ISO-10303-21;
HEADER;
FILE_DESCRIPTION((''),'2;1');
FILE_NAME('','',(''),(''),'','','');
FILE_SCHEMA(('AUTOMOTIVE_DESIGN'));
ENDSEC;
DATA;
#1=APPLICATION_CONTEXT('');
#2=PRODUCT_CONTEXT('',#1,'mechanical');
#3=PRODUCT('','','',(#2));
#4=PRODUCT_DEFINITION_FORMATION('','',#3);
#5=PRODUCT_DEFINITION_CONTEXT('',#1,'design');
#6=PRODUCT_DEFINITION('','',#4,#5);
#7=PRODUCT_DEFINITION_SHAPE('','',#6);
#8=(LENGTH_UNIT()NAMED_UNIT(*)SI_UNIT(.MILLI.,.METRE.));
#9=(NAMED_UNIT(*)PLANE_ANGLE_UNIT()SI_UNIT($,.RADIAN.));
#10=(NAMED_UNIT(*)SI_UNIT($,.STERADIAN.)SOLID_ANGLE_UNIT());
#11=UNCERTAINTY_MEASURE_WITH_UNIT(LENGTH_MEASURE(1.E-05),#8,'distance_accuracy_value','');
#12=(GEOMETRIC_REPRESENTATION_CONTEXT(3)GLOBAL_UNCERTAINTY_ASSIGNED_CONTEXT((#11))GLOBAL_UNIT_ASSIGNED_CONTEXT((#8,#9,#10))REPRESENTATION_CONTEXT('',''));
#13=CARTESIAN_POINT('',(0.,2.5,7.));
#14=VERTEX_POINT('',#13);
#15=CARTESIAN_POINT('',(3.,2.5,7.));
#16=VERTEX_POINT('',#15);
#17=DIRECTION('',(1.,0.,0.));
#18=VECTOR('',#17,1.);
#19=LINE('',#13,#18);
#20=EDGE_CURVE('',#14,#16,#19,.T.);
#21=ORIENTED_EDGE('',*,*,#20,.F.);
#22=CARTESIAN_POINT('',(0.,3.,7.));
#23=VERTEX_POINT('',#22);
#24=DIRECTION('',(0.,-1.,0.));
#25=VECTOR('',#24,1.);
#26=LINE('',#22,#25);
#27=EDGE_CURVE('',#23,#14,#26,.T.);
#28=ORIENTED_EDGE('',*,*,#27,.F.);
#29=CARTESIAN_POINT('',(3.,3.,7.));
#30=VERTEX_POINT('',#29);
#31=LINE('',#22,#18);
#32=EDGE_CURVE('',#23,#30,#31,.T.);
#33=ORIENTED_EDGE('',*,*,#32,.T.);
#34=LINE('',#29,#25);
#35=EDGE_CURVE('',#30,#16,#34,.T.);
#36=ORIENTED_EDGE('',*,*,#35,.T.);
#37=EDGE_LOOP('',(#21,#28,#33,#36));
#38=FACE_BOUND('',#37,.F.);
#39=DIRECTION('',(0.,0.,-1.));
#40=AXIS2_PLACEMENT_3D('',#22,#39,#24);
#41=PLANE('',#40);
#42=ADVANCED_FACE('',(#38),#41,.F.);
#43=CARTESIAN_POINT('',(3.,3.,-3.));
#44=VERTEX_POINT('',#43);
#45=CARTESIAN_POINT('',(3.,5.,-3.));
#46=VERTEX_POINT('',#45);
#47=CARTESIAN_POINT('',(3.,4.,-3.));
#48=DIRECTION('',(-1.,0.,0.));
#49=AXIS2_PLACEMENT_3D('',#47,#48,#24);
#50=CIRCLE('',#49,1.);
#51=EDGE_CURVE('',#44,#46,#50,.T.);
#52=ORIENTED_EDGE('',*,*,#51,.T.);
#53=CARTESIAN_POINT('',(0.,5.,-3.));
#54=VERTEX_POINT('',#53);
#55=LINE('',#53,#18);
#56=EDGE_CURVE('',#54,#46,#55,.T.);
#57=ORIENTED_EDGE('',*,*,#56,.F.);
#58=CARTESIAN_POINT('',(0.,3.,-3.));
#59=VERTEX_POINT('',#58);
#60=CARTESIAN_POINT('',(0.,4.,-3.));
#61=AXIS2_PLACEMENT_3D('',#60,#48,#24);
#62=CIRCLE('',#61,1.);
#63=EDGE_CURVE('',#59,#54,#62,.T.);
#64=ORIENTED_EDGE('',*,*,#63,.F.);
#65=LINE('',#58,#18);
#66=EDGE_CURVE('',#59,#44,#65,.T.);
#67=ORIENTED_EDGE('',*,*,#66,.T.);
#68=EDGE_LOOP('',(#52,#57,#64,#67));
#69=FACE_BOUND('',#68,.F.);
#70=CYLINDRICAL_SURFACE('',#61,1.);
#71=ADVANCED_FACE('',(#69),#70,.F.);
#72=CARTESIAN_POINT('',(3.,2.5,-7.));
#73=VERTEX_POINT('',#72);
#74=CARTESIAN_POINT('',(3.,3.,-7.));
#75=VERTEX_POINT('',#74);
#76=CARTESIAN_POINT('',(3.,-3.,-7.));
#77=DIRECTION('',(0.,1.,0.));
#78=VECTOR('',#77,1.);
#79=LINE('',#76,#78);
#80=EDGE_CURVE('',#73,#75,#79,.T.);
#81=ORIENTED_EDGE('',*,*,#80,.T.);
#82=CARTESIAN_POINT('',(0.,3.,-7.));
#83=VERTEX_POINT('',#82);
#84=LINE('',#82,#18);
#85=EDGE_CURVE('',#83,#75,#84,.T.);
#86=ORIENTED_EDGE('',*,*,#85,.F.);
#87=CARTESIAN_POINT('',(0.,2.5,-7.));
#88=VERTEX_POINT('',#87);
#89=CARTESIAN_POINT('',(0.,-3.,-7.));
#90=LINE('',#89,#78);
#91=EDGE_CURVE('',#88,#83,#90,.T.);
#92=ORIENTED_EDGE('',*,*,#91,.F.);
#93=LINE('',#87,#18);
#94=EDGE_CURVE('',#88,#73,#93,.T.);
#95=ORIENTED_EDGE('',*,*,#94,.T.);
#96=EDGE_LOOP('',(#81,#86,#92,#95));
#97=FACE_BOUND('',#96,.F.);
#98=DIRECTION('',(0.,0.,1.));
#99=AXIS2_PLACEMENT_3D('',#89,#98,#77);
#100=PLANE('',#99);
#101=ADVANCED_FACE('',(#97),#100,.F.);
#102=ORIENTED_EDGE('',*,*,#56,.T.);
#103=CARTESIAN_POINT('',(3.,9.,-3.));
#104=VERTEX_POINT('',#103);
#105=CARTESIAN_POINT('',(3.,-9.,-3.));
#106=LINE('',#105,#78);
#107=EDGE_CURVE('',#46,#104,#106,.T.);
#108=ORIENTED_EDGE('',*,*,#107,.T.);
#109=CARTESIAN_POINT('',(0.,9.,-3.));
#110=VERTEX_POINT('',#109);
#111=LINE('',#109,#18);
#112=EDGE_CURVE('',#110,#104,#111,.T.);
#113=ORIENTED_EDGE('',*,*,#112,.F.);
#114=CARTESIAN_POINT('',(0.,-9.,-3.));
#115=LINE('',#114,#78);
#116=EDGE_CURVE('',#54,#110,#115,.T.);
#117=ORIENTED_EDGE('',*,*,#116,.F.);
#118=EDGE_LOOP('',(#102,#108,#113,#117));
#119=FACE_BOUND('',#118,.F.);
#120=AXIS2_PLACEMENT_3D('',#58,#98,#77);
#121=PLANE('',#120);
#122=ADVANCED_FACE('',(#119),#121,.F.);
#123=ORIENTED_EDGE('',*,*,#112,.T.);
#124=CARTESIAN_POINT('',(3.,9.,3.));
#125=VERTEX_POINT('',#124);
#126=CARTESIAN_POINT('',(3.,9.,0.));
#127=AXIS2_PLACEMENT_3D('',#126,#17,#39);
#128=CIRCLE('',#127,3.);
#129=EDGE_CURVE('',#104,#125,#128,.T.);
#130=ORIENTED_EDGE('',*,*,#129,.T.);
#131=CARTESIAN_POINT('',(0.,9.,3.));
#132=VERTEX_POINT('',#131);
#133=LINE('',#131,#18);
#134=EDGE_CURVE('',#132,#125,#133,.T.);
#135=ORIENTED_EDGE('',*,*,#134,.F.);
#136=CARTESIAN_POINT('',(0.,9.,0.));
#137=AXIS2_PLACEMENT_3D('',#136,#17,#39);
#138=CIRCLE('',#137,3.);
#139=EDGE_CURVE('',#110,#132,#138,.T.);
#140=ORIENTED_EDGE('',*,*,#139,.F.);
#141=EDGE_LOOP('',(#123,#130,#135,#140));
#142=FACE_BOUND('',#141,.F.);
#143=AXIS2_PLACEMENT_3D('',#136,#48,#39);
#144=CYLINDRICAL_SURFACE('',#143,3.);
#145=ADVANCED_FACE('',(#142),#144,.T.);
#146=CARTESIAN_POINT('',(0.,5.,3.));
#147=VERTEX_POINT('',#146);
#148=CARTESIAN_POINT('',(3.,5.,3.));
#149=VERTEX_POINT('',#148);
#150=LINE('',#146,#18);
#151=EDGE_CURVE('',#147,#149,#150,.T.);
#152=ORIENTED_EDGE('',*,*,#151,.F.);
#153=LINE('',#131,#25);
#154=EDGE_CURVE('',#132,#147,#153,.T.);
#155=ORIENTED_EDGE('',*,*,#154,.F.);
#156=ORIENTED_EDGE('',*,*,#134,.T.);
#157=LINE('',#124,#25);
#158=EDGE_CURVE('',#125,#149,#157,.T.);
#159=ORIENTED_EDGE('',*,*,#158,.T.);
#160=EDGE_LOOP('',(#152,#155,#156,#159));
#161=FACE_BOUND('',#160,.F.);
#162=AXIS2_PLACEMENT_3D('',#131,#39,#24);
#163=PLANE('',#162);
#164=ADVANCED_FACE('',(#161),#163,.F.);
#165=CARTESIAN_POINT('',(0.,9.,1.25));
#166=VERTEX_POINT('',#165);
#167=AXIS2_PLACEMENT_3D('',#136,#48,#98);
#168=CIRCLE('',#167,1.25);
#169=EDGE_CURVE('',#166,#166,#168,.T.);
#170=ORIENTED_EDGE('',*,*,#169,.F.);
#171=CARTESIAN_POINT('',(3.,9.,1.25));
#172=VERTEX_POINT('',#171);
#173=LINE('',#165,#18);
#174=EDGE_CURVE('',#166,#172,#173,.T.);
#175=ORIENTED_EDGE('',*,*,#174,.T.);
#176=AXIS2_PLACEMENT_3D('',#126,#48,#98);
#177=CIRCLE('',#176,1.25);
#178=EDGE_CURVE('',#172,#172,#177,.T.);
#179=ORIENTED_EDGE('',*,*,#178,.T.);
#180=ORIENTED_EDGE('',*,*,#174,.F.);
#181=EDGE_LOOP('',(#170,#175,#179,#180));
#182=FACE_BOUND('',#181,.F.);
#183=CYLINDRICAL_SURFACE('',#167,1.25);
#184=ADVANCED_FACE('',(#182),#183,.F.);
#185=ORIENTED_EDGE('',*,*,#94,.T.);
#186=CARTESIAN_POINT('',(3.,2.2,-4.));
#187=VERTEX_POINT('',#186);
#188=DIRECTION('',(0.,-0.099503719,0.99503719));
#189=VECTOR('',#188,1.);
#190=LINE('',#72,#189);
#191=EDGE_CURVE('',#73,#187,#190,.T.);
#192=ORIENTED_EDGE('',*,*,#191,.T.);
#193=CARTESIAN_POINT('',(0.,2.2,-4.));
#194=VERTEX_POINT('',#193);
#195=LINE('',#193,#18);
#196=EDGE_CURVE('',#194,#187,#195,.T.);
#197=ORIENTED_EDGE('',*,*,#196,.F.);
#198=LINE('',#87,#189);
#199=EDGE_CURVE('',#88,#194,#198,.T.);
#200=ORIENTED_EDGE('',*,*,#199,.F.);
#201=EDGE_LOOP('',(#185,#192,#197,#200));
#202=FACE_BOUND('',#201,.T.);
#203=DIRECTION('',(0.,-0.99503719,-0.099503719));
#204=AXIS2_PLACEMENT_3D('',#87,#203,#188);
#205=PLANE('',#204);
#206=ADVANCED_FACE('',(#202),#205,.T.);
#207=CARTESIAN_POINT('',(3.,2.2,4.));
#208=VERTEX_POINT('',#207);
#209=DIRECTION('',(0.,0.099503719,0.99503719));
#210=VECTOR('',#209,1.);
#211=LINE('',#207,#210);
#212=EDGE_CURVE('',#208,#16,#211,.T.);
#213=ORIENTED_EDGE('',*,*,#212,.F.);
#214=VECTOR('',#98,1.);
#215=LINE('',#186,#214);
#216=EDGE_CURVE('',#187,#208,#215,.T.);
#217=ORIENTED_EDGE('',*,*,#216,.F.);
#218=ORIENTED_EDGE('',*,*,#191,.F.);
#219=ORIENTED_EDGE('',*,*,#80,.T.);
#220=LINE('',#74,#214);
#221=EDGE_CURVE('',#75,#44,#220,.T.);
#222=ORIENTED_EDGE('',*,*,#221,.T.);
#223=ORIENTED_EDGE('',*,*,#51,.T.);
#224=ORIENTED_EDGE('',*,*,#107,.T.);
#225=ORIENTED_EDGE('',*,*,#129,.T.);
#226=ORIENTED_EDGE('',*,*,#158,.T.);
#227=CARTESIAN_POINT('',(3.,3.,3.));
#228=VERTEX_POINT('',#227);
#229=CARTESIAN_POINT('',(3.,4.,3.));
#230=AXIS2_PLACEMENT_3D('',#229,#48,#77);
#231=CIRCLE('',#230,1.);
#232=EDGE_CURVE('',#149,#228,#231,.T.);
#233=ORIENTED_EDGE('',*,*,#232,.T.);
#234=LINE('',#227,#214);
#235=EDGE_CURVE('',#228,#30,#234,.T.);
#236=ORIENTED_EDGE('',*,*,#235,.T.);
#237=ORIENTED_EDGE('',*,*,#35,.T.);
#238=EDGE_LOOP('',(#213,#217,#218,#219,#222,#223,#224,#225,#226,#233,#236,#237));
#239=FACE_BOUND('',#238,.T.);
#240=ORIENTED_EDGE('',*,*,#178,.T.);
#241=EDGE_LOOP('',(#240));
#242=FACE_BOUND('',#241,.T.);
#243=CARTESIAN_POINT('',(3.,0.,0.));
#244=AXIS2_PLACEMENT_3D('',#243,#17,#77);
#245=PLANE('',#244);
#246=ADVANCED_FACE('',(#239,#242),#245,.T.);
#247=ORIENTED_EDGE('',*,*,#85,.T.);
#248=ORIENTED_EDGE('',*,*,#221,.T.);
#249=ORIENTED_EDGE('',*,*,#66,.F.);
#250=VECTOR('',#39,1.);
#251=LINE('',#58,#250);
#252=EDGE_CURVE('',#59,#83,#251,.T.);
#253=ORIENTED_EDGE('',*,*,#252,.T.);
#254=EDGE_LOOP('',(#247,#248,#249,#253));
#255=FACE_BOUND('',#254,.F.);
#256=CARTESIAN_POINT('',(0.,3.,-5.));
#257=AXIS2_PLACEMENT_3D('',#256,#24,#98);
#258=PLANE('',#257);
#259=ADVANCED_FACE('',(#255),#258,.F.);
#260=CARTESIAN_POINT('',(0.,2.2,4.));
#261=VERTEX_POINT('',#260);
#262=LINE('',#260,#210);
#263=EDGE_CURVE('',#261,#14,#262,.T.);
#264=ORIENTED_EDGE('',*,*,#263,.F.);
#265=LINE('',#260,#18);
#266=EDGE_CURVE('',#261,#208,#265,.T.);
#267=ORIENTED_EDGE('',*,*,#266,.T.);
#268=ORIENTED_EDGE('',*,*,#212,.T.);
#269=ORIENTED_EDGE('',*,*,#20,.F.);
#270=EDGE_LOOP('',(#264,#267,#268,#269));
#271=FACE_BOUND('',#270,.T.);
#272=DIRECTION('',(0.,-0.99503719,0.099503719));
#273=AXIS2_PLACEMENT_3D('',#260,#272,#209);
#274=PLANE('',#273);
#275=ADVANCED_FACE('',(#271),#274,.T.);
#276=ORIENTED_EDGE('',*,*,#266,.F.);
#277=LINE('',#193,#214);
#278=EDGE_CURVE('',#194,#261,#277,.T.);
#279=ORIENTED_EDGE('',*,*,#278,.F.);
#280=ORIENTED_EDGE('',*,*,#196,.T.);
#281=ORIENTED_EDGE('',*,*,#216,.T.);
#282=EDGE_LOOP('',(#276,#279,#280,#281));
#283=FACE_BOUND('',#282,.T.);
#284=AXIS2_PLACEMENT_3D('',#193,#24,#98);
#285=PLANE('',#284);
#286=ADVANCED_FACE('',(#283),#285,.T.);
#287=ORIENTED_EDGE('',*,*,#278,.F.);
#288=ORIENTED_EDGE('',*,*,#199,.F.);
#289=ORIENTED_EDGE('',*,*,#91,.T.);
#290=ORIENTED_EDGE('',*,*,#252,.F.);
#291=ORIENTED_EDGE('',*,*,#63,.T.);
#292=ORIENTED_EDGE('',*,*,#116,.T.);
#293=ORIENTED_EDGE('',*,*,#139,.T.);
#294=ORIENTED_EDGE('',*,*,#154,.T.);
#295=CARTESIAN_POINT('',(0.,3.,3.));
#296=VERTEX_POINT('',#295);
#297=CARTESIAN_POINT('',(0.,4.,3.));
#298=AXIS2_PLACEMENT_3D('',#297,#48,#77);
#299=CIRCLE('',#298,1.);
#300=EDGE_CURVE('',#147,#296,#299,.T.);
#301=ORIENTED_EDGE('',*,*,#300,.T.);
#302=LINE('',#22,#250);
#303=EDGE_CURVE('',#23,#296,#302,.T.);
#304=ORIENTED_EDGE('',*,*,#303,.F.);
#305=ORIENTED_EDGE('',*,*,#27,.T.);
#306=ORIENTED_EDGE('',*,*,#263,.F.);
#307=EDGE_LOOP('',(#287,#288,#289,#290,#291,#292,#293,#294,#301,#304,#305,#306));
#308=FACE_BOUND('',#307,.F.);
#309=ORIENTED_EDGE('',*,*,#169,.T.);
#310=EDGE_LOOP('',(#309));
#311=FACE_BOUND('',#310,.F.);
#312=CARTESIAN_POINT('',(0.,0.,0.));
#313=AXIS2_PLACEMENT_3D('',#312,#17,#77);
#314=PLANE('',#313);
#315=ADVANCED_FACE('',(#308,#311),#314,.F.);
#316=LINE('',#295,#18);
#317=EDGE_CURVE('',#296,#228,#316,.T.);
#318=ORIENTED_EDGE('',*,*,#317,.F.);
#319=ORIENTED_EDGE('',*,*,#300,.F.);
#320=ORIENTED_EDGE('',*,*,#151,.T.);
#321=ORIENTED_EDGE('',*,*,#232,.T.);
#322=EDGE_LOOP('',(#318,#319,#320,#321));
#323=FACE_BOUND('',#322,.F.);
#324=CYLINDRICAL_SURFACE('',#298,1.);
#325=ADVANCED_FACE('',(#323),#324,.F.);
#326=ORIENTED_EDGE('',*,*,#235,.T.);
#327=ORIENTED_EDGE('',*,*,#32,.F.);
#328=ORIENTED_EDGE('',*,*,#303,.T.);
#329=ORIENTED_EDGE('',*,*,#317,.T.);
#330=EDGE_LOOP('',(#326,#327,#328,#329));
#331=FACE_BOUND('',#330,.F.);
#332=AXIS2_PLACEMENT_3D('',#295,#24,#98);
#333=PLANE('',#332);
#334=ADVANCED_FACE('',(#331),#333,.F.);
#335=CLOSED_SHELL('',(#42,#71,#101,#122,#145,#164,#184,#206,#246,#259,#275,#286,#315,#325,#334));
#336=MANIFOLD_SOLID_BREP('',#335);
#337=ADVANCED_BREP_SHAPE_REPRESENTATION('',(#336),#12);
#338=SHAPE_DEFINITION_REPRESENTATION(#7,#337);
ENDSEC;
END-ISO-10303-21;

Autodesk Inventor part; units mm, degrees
ref_plane "YZ Plane" through (0, 0, 0) normal (1, 0, 0) x (0, 1, 0)
ref_plane "XZ Plane" through (0, 0, 0) normal (0, 1, 0) x (-1, 0, 0)
ref_plane "XY Plane" through (0, 0, 0) normal (0, 0, 1) x (1, 0, 0)
sketch "スケッチ1" plane through (0, 0, 0) normal (1, 0, 0) x (0, 1, 0)
  line L0 (9, 0) -> (-9, 0) construction
  line L1 (9, 3) -> (-9, 3)
  line L2 (-9, -3) -> (9, -3)
  arc A0 (9, -3) -> (9, 3) centre (9, 0) ccw
  arc A1 (-9, 3) -> (-9, -3) centre (-9, 0) ccw
  line L3 (3, 7) -> (-3, 7)
  line L4 (-3, -7) -> (3, -7)
  line L5 (3, 7) -> (-3, -7) construction
  line L6 (-3, 7) -> (3, -7) construction
  line L7 (-3, 7) -> (-3, 5)
  line L8 (3, 5) -> (3, 7)
  line L9 (3, -7) -> (3, -5)
  line L10 (3, -3) -> (3, 3)
  line L11 (-3, 3) -> (-3, -3)
  line L12 (-3, -5) -> (-3, -7)
  circle A2 centre (-9, 0) radius 1.25
  circle A3 centre (9, 0) radius 1.25
  line L13 (3, -5) -> (3, -3)
  line L14 (3, 3) -> (3, 5)
  line L15 (-3, 5) -> (-3, 3)
  line L16 (-3, -3) -> (-3, -5)
  point P0 (0, 0)
  dimension "d0" = 6
  dimension "d1" = 6
  dimension "d3" = 14
  dimension "d4" = 18
  dimension "d7" = 0
  dimension "d8" = 6
  dimension "d9" = 4
  dimension "d11" = 2.5
  dimension "d12" = 2.5
extrude "押し出し1" add sketch "スケッチ1" along normal blind 3 contours A0 L2 L10 L1 | L10 L2 L11 L1 | L1 L15 L7 L3 L8 L14 | L11 L2 A1 L1 | L13 L9 L4 L12 L16 L2 | A2 | A3
sketch "スケッチ2" plane through (0, 0, 0) normal (-1, 0, 0) x (0, 0, 1)
  spline S0 degree 3 poles (-3.8743, -1.25) (-3.891, -1.25) (-3.9108, -1.2467) (-3.9405, -1.236) (-3.956, -1.2272) (-3.9769, -1.209) (-3.9865, -1.1969) (-3.9969, -1.1748) (-4, -1.1615) (-4, -1.15) knots -0.016775 -0.016775 -0.016775 -0.016775 -0.011755 -0.011755 -0.007303 -0.007303 -0.003437 -0.003437 0 0 0 0
  line L0 (-4, -1.15) -> (-4, 1.15)
  spline S1 degree 3 poles (-4, 1.15) (-4, 1.1615) (-3.9969, 1.1748) (-3.9865, 1.1969) (-3.9769, 1.209) (-3.956, 1.2272) (-3.9405, 1.236) (-3.9108, 1.2467) (-3.891, 1.25) (-3.8743, 1.25) knots 0 0 0 0 0.003437 0.003437 0.007303 0.007303 0.011755 0.011755 0.016775 0.016775 0.016775 0.016775
  line L1 (-3.8743, 1.25) -> (-3.1638, 1.25)
  line L2 (-3.1638, 1.25) -> (-3.1638, 0.47)
  spline S2 degree 3 poles (-3.1638, 0.47) (-3.2063, 0.4464) (-3.2462, 0.4188) (-3.3386, 0.3411) (-3.3965, 0.2704) (-3.4581, 0.1426) (-3.4766, 0.0658) (-3.4766, 0) (-3.4766, -0.0658) (-3.4581, -0.1426) (-3.3965, -0.2704) (-3.3386, -0.3411) (-3.2462, -0.4188) (-3.2063, -0.4464) (-3.1638, -0.47) knots -0.055942 -0.055942 -0.055942 -0.055942 -0.042582 -0.042582 -0.019736 -0.019736 0 0 0 0.019736 0.019736 0.042582 0.042582 0.055942 0.055942 0.055942 0.055942
  line L3 (-3.1638, -0.47) -> (-3.1638, -1.25)
  line L4 (-3.1638, -1.25) -> (-3.8743, -1.25)
  spline S3 degree 3 poles (4, -1.15) (4, -1.1615) (3.9969, -1.1748) (3.9865, -1.1969) (3.9769, -1.209) (3.956, -1.2272) (3.9405, -1.236) (3.9108, -1.2467) (3.891, -1.25) (3.8743, -1.25) knots 0 0 0 0 0.003437 0.003437 0.007303 0.007303 0.011755 0.011755 0.016775 0.016775 0.016775 0.016775
  line L5 (3.8743, -1.25) -> (3.1638, -1.25)
  line L6 (3.1638, -1.25) -> (3.1638, -0.47)
  spline S4 degree 3 poles (3.1638, -0.47) (3.2063, -0.4464) (3.2462, -0.4188) (3.3386, -0.3411) (3.3965, -0.2704) (3.4581, -0.1426) (3.4766, -0.0658) (3.4766, 0) (3.4766, 0.0658) (3.4581, 0.1426) (3.3965, 0.2704) (3.3386, 0.3411) (3.2462, 0.4188) (3.2063, 0.4464) (3.1638, 0.47) knots -0.055942 -0.055942 -0.055942 -0.055942 -0.042582 -0.042582 -0.019736 -0.019736 0 0 0 0.019736 0.019736 0.042582 0.042582 0.055942 0.055942 0.055942 0.055942
  line L7 (3.1638, 0.47) -> (3.1638, 1.25)
  line L8 (3.1638, 1.25) -> (3.8743, 1.25)
  spline S5 degree 3 poles (3.8743, 1.25) (3.891, 1.25) (3.9108, 1.2467) (3.9405, 1.236) (3.956, 1.2272) (3.9769, 1.209) (3.9865, 1.1969) (3.9969, 1.1748) (4, 1.1615) (4, 1.15) knots -0.016775 -0.016775 -0.016775 -0.016775 -0.011755 -0.011755 -0.007303 -0.007303 -0.003437 -0.003437 0 0 0 0
  line L9 (4, 1.15) -> (4, -1.15)
  circle A0 centre (0, 9) radius 1.25 projected
  circle A1 centre (0, -9) radius 1.25 projected
  line L10 (-3, 3) -> (-7, 3) projected
  line L11 (-7, 3) -> (-7, -3) projected
  line L12 (-7, -3) -> (-3, -3) projected
  line L13 (-3, -3) -> (-3, -9) projected
  arc A2 (-3, -9) -> (3, -9) centre (0, -9) ccw projected
  line L14 (3, -9) -> (3, -3) projected
  line L15 (3, -3) -> (7, -3) projected
  line L16 (7, -3) -> (7, 3) projected
  line L17 (7, 3) -> (3, 3) projected
  line L18 (3, 3) -> (3, 9) projected
  arc A3 (3, 9) -> (-3, 9) centre (0, 9) ccw projected
  line L19 (-3, 9) -> (-3, 3) projected
  line L20 (-7, 2.5) -> (-4, 2.2)
  line L21 (-4, 2.2) -> (4, 2.2)
  line L22 (4, 2.2) -> (7, 2.5)
  arc A4 (-3, 3) -> (-3, 5) centre (-3, 4) ccw
  arc A5 (3, 5) -> (3, 3) centre (3, 4) ccw
  line L23 (3, 3) -> (3, 9) projected
  line L24 (-3, 9) -> (-3, 3) projected
  point P0 (0, 0)
  point P1 (0, 2.2)
  dimension "d15" = 2
  dimension "d17" = 8
  dimension "d18" = 0.8
  dimension "d19" = 0.5
extrude "押し出し4" cut sketch "スケッチ2" against normal through all contours A4 L19 A3 L18 A5 L17 L16 L22 L21 L20 L11 L10 keep common part
properties part number "tip2" material "アルミニウム 2014-T4"
